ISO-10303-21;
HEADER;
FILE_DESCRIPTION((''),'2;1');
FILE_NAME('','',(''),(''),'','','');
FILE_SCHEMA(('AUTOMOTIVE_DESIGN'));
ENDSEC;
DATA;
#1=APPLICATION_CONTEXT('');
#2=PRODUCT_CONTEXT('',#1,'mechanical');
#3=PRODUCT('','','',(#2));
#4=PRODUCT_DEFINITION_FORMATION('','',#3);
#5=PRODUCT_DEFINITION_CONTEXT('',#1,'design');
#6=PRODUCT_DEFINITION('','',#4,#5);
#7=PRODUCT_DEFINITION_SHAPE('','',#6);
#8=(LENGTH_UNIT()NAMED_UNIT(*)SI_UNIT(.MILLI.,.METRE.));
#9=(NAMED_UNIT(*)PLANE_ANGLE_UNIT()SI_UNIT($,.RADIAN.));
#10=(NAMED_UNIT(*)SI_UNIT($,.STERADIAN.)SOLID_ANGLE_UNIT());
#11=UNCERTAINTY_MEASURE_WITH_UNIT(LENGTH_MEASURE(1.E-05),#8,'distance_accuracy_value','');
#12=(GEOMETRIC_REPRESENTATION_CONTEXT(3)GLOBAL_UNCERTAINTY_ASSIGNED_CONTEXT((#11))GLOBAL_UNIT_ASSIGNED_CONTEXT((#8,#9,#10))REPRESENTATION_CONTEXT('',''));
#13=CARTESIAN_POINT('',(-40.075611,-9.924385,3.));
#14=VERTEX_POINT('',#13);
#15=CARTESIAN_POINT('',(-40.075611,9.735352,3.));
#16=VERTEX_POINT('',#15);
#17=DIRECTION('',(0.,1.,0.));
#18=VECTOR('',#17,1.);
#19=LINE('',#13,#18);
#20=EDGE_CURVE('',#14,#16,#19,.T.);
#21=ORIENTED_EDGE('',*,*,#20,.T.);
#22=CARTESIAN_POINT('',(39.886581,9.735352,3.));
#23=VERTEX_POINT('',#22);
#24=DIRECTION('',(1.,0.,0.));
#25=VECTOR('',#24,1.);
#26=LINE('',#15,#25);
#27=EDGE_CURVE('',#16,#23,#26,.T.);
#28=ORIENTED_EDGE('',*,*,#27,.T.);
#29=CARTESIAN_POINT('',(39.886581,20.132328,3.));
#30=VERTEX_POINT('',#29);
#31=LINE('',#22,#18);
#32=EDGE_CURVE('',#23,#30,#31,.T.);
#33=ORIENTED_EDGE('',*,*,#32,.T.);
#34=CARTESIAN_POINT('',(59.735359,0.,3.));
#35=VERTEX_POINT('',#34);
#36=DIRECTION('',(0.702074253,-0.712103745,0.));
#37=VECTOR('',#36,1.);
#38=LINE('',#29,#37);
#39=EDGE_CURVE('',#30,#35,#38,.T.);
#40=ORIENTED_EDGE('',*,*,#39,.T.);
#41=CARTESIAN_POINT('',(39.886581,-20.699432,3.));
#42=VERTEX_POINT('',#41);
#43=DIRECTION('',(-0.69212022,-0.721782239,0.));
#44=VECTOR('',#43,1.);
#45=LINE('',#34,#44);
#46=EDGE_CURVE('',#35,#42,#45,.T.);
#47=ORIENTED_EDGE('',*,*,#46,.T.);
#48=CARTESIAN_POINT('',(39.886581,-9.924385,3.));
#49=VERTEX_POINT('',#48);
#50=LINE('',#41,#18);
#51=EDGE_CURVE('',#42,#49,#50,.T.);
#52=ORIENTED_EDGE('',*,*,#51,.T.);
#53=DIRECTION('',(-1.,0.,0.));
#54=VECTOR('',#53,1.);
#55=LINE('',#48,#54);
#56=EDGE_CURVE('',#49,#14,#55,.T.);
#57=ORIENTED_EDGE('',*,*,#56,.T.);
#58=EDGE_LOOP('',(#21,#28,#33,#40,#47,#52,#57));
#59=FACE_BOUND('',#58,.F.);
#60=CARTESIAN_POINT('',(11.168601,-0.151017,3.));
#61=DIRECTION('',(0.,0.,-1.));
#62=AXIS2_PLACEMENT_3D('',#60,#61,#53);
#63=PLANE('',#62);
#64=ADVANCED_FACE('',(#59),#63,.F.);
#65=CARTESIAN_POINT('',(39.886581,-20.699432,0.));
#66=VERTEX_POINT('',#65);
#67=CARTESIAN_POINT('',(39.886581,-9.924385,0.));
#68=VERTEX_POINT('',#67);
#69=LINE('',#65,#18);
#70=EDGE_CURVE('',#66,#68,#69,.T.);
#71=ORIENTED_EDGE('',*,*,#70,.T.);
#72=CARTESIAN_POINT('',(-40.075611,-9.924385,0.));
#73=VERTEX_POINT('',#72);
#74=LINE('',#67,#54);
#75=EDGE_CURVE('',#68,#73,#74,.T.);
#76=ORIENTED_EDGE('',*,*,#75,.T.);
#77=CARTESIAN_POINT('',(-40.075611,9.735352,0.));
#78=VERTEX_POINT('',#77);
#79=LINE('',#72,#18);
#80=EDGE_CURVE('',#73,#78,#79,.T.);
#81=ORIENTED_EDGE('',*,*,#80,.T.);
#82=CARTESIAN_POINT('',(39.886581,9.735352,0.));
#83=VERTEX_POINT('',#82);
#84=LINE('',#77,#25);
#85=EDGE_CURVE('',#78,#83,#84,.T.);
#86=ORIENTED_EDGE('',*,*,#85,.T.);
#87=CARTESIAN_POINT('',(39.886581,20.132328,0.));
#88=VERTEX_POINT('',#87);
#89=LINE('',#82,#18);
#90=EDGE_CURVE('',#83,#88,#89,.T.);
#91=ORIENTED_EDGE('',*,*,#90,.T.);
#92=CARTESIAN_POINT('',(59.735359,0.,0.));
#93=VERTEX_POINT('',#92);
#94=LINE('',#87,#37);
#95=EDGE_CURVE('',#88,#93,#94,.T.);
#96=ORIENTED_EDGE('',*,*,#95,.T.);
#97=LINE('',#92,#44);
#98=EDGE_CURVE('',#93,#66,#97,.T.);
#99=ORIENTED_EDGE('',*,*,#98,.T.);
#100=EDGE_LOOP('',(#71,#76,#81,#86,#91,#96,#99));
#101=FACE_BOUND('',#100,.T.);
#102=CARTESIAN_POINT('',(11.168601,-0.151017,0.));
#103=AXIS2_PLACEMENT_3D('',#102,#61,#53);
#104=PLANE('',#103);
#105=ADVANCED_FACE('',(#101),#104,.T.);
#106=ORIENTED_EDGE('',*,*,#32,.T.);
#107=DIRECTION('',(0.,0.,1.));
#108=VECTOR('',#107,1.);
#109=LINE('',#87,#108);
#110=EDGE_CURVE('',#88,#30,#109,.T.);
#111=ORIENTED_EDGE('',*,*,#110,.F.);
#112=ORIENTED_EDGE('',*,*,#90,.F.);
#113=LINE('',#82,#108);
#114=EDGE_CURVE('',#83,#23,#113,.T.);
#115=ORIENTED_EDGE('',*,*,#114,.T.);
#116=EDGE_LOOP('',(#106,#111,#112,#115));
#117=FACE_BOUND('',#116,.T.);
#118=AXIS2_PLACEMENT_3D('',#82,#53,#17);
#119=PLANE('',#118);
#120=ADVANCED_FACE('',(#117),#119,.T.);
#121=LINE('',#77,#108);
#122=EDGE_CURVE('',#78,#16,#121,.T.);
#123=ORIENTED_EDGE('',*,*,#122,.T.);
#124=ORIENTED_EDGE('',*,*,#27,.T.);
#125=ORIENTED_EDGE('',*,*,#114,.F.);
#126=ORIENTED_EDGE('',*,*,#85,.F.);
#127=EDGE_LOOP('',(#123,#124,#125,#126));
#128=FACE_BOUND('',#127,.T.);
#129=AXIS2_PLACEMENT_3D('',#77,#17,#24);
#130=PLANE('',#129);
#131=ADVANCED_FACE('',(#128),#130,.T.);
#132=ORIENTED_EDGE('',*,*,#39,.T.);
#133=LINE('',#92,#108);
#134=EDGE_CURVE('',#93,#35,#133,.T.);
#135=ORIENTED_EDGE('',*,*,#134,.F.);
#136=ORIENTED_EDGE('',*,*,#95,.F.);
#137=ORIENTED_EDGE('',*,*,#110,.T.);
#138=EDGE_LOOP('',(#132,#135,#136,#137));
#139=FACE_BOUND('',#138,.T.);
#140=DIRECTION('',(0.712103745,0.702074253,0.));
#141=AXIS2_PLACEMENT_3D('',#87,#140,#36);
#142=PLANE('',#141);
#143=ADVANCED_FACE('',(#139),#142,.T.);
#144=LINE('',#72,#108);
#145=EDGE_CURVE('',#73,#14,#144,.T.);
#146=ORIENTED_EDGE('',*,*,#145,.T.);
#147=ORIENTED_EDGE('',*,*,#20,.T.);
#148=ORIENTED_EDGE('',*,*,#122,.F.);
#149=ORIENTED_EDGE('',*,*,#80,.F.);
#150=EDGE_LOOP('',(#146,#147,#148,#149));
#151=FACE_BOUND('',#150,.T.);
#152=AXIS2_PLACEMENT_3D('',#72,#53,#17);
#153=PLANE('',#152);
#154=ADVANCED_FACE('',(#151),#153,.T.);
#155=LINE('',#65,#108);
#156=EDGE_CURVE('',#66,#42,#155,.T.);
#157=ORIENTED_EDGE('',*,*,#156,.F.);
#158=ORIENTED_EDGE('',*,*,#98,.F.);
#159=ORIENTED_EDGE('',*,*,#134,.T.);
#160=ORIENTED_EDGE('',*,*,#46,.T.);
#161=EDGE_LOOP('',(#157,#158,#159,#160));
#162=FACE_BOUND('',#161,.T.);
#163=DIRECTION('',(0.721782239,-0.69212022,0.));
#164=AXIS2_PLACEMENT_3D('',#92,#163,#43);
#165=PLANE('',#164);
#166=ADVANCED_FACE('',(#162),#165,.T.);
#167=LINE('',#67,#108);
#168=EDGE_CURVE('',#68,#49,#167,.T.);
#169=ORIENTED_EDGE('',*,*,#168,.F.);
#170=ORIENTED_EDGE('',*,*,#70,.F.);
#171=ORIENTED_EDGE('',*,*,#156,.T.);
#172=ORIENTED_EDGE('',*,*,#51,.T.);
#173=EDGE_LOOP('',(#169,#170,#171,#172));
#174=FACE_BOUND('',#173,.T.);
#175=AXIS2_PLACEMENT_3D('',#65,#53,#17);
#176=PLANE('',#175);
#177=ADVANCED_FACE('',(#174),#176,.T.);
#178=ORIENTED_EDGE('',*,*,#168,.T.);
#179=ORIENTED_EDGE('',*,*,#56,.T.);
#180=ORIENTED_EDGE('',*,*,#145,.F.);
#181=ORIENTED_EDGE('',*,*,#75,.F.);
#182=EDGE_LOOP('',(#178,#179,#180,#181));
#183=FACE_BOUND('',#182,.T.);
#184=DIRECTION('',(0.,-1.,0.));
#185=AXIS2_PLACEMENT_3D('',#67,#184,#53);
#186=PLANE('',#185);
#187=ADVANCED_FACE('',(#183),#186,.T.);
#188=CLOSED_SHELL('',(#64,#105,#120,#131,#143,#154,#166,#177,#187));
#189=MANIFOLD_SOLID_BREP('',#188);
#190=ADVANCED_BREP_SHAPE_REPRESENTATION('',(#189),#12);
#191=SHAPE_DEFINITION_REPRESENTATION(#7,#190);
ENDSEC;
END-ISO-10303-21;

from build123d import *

# Parameters (mm, degrees)
PAD_DEPTH = 3


with BuildPart() as part:
    # Sketch → Pad (new body)
    with BuildSketch(Plane.XY):
        Polygon((-40.075611, 9.735352), (39.886581, 9.735352), (39.886581, 20.132328), (59.735359, 0), (39.886581, -20.699432), (39.886581, -9.924385), (-40.075611, -9.924385), align=None)
    extrude(amount=PAD_DEPTH)


solid = part.part
